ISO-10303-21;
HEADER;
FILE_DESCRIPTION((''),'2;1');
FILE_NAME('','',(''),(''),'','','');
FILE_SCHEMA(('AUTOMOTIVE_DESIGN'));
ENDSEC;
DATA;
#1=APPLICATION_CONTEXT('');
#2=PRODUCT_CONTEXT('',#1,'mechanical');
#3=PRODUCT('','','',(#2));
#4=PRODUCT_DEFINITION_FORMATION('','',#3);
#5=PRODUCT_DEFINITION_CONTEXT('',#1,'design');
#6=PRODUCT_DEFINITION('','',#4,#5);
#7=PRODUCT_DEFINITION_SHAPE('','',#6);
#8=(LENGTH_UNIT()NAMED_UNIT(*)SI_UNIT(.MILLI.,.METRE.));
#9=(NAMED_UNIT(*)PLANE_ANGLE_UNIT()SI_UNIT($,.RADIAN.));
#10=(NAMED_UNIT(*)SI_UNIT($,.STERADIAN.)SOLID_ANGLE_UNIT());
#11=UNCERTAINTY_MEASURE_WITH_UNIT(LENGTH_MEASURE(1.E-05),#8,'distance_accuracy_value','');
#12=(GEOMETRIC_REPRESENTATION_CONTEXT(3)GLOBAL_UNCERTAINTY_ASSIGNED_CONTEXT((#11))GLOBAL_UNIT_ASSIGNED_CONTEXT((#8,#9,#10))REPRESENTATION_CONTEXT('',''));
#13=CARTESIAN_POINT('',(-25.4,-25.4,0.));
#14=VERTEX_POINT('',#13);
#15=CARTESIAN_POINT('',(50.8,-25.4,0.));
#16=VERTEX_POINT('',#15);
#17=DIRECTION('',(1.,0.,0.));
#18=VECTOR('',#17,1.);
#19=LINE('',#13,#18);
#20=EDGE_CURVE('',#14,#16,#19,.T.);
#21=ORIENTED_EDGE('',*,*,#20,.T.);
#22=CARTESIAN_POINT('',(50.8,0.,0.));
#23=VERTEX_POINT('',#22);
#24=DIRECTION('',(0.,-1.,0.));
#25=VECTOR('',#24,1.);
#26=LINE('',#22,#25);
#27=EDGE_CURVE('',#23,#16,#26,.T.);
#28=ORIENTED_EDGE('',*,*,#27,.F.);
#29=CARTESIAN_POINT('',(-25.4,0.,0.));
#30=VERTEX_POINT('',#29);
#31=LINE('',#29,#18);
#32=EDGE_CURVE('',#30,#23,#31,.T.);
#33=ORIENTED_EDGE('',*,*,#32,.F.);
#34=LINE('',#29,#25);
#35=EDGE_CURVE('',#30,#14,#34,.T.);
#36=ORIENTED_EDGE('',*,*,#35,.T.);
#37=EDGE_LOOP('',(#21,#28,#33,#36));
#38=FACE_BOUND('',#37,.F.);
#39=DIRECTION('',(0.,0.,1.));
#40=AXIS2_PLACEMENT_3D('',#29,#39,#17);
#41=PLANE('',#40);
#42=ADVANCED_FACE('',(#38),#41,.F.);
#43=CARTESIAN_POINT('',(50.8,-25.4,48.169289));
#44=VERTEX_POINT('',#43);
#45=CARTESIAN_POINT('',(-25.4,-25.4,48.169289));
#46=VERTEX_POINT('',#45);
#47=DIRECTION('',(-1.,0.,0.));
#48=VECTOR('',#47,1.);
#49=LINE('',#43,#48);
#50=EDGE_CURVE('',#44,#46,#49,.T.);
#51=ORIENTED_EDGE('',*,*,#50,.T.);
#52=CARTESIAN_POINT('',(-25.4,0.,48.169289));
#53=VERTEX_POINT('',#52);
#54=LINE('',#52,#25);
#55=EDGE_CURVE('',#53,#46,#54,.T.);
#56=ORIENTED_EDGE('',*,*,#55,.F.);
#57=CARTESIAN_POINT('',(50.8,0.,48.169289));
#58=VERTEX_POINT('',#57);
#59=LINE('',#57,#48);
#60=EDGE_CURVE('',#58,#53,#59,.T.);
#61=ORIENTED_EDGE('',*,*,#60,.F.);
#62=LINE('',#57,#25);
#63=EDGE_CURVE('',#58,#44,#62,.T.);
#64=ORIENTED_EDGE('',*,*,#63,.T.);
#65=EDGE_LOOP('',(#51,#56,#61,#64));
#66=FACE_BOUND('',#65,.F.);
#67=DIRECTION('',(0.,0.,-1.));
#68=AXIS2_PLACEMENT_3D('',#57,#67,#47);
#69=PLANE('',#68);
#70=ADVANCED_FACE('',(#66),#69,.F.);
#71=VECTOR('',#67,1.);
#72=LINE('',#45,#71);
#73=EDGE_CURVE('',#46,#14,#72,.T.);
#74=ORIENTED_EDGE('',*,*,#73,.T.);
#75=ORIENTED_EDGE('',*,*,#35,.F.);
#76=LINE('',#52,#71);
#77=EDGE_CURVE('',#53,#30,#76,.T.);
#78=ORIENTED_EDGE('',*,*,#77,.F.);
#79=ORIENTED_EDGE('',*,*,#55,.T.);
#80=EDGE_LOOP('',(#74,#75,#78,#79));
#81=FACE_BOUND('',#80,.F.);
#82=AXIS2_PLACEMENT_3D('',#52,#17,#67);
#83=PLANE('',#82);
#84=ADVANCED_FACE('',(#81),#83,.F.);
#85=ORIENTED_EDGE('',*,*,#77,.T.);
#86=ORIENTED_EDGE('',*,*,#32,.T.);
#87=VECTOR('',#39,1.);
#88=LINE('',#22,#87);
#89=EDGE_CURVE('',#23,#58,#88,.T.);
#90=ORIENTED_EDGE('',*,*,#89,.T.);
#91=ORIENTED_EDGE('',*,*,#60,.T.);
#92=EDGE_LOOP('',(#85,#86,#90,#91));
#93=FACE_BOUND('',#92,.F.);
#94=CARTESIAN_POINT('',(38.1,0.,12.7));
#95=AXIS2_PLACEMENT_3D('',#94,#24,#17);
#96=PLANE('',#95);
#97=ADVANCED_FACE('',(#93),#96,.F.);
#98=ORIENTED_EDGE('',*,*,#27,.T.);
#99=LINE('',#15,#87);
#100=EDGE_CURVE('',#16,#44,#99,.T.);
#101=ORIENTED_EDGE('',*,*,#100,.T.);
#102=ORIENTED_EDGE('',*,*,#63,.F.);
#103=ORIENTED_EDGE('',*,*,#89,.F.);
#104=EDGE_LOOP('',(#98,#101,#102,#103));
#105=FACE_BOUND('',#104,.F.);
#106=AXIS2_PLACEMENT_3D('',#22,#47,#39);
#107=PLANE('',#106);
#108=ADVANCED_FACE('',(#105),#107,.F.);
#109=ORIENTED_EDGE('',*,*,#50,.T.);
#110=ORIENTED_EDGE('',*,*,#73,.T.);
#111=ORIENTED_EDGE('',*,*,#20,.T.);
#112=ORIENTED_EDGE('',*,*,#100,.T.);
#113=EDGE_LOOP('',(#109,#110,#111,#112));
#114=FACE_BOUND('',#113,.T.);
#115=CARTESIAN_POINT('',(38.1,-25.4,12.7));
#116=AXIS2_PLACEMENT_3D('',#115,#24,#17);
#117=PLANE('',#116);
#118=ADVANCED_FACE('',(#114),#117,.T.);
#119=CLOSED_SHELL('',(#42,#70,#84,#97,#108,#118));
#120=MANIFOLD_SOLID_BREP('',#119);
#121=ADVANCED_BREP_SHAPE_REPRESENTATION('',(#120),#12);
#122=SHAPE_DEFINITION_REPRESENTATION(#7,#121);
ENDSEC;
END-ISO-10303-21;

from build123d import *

# Parameters (mm, degrees)
F0_W     = 25.4
F0_H     = 25.4
F0_H_2   = 22.769289
F1_DEPTH = 25.4
F2_DEPTH = 25.4


with BuildPart() as f1:
    # F0 (on Front) → F1 (new body)
    with BuildSketch(Plane.XZ):
        with Locations((38.1, 12.7)):
            Rectangle(F0_W, F0_H)
        with Locations((-12.7, 36.784644)):
            Rectangle(F0_W, F0_H_2)
        with Locations((38.1, 36.784644)):
            Rectangle(F0_W, F0_H_2)
        with Locations((12.7, 12.7)):
            Rectangle(F0_W, F0_H)
        with Locations((12.7, 36.784644)):
            Rectangle(F0_W, F0_H_2)
        with Locations((-12.7, 12.7)):
            Rectangle(F0_W, F0_H)
    extrude(amount=F1_DEPTH)

    # F0 (on Front) → F2 (join)
    with BuildSketch(Plane.XZ):
        with Locations((12.7, 12.7)):
            Rectangle(F0_W, F0_H)
        with Locations((-12.7, 12.7)):
            Rectangle(F0_W, F0_H)
        with Locations((38.1, 12.7)):
            Rectangle(F0_W, F0_H)
        with Locations((12.7, 36.784644)):
            Rectangle(F0_W, F0_H_2)
        with Locations((-12.7, 36.784644)):
            Rectangle(F0_W, F0_H_2)
        with Locations((38.1, 36.784644)):
            Rectangle(F0_W, F0_H_2)
    extrude(amount=F2_DEPTH)


solid = f1.part
